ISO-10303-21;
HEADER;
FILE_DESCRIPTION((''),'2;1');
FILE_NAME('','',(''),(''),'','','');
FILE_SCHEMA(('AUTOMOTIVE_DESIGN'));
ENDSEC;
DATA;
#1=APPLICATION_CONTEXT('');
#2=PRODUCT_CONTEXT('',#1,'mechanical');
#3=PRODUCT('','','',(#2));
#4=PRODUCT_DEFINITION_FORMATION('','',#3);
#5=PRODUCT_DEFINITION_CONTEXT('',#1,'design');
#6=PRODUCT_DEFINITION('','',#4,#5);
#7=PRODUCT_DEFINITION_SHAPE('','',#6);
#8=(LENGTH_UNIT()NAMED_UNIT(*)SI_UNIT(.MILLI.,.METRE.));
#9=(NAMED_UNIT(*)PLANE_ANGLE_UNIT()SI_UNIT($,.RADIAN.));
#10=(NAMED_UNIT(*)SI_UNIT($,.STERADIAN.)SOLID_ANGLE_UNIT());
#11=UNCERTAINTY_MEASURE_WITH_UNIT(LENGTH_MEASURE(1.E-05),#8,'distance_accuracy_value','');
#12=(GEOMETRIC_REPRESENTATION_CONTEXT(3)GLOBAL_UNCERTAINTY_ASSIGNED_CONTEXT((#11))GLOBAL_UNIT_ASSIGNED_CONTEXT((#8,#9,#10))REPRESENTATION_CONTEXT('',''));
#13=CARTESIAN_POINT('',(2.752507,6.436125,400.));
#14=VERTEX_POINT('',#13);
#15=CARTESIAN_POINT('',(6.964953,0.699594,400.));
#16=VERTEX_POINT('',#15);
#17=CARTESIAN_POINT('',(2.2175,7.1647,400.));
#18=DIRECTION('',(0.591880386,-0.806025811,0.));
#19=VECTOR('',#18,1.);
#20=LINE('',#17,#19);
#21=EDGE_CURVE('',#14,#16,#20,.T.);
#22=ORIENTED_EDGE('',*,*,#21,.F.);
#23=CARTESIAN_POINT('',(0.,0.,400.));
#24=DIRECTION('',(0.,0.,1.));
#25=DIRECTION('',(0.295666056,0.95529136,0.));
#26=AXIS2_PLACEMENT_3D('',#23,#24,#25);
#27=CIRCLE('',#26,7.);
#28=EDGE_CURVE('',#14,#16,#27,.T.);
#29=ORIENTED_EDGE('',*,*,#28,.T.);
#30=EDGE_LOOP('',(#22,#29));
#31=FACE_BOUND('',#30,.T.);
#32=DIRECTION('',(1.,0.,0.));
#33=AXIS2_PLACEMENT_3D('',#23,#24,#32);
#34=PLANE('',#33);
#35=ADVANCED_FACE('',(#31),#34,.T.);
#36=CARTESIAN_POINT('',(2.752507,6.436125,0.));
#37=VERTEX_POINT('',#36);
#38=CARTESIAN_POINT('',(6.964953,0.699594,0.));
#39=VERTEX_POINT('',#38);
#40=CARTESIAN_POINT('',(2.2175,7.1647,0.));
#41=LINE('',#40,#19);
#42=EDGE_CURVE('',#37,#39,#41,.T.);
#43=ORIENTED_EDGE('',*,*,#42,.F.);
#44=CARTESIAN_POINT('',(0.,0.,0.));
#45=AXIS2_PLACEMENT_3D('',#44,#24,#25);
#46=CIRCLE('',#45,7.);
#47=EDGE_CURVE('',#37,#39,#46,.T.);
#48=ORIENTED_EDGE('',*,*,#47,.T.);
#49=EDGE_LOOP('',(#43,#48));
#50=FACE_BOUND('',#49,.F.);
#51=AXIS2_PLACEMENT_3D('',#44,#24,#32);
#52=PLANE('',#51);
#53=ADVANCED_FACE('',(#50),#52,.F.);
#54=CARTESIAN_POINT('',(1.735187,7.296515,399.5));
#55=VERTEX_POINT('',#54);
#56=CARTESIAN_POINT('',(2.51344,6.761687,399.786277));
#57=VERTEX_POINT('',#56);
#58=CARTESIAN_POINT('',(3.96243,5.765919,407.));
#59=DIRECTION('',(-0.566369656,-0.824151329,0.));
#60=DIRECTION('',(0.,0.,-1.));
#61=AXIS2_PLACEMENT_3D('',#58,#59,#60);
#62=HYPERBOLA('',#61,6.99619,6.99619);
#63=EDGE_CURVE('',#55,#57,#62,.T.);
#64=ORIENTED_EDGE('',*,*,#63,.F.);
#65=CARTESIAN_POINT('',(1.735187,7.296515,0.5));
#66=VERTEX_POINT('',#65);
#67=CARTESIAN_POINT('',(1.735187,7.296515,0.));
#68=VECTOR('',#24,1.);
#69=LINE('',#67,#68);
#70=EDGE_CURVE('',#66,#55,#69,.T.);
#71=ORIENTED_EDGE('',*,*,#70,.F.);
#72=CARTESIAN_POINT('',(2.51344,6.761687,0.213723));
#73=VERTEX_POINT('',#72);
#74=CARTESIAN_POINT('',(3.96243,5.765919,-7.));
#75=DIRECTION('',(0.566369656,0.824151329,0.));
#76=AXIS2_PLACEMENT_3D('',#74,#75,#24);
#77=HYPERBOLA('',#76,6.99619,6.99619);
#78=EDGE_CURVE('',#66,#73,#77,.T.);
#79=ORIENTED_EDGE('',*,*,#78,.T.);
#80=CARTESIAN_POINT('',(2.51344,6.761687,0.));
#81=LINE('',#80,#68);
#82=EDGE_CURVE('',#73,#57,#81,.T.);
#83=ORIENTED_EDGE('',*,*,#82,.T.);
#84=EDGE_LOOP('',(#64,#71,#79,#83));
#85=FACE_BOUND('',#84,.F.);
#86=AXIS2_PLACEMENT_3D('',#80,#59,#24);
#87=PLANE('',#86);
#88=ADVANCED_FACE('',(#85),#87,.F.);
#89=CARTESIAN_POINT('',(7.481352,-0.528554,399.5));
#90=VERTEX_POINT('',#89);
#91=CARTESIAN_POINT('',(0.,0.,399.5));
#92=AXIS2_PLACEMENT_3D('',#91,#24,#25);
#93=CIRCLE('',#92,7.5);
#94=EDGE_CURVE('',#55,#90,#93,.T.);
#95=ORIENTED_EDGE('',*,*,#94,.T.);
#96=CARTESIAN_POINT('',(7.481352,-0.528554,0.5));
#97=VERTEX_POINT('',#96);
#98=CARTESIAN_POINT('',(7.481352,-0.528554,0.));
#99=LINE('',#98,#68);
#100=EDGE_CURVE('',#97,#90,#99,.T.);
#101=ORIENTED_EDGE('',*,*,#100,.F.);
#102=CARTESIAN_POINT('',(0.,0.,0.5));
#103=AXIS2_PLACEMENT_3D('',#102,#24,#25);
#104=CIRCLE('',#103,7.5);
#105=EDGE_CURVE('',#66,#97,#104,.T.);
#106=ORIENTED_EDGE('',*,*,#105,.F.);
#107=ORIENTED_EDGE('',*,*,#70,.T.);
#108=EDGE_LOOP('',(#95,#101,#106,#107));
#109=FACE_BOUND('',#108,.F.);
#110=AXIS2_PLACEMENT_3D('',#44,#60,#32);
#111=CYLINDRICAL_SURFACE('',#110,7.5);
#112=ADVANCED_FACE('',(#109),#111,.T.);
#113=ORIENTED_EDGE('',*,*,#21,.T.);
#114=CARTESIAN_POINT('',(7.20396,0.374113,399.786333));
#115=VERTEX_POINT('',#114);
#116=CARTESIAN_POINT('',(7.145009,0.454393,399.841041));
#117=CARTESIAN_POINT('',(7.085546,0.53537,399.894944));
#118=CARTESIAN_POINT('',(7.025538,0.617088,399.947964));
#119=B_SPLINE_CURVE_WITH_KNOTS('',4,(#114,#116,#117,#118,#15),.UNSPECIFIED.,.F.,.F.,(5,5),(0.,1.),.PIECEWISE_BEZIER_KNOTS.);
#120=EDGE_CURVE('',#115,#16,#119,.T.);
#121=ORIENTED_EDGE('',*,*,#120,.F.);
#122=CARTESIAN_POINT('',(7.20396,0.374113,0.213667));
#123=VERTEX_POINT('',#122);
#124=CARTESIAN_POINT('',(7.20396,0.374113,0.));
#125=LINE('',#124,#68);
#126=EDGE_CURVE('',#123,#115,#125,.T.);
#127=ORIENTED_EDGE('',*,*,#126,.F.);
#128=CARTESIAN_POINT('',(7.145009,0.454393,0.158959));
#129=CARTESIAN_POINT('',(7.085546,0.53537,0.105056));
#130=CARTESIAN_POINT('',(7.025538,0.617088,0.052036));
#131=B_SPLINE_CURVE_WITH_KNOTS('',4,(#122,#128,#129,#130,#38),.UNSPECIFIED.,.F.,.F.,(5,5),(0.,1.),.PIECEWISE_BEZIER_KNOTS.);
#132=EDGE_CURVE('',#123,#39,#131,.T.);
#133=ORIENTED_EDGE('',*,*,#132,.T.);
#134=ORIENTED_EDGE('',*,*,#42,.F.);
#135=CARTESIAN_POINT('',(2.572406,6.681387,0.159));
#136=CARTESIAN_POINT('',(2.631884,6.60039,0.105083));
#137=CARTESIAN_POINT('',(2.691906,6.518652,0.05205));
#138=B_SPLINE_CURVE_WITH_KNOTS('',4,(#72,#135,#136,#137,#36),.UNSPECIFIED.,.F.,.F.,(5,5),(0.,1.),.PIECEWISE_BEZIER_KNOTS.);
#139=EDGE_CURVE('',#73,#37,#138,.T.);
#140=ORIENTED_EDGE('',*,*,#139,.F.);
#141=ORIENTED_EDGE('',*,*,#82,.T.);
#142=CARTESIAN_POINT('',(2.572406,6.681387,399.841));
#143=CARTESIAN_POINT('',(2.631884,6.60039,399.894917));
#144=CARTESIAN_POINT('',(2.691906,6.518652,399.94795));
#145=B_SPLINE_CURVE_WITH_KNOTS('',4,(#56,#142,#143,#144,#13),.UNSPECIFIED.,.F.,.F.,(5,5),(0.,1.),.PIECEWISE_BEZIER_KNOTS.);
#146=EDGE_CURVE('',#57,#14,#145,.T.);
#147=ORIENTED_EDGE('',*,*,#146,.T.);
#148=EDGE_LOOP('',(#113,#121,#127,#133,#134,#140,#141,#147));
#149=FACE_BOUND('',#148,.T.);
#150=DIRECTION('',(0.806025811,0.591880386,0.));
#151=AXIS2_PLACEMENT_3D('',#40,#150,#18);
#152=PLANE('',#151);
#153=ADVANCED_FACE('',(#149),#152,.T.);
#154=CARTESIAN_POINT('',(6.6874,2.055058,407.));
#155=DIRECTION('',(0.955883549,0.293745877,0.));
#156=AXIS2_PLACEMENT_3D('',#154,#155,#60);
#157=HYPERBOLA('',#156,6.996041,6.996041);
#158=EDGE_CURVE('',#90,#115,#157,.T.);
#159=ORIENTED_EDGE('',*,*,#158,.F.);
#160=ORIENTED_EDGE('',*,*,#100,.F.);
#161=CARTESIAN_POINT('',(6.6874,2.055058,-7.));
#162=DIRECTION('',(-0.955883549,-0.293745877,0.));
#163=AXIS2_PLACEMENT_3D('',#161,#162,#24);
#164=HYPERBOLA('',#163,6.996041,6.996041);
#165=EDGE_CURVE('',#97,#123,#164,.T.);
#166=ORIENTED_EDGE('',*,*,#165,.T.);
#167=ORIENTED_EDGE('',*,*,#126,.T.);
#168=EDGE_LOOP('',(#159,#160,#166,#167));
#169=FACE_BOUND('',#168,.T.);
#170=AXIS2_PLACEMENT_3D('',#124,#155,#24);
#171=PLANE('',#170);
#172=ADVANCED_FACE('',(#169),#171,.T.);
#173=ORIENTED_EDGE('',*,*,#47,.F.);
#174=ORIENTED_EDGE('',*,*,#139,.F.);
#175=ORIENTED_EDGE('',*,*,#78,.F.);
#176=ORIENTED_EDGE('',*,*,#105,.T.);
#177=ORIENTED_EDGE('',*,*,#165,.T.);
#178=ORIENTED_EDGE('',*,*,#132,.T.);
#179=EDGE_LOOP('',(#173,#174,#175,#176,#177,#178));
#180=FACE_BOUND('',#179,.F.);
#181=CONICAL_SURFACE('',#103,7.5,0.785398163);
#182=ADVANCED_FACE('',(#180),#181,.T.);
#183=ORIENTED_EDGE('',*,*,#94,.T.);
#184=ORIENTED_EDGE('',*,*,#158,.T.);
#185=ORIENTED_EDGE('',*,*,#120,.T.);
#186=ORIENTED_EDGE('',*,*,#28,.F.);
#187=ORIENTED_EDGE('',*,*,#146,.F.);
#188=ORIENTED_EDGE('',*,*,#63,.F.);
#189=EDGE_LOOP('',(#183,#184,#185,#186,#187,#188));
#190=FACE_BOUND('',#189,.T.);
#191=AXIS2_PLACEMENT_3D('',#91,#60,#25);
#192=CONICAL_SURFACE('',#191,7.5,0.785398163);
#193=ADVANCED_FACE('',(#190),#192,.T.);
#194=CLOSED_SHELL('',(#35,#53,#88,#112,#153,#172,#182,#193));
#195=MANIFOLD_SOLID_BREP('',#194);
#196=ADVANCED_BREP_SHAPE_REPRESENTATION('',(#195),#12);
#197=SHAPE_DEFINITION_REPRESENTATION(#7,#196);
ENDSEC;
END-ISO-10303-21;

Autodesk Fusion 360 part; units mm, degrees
sketch "Sketch1" plane through (0, 0, 0) normal (0, 0, 1) x (1, 0, 0)
  circle A0 centre (0, 0) radius 7.5
  line L0 (2.2175, 7.1647) -> (7.4999, -0.0289)
  dimension "d1" = 15
extrude "Extrude1" add sketch "Sketch1" along normal blind 400 contours A0 L0 picked at (-0.1624, -2.0405)
chamfer "Chamfer1" distance 0.5 angle 45 1 faces at (7.461, -0.7641, 133.3333)
sketch "Sketch2" plane through (0, 0, 400) normal (0, 0, 1) x (-1, 0, 0)
  arc A0 (-2.7525, -6.4361) -> (-6.9649, -0.6997) centre (0, 0) ccw
  line L0 (-6.9649, -0.6997) -> (-2.7525, -6.4361)
